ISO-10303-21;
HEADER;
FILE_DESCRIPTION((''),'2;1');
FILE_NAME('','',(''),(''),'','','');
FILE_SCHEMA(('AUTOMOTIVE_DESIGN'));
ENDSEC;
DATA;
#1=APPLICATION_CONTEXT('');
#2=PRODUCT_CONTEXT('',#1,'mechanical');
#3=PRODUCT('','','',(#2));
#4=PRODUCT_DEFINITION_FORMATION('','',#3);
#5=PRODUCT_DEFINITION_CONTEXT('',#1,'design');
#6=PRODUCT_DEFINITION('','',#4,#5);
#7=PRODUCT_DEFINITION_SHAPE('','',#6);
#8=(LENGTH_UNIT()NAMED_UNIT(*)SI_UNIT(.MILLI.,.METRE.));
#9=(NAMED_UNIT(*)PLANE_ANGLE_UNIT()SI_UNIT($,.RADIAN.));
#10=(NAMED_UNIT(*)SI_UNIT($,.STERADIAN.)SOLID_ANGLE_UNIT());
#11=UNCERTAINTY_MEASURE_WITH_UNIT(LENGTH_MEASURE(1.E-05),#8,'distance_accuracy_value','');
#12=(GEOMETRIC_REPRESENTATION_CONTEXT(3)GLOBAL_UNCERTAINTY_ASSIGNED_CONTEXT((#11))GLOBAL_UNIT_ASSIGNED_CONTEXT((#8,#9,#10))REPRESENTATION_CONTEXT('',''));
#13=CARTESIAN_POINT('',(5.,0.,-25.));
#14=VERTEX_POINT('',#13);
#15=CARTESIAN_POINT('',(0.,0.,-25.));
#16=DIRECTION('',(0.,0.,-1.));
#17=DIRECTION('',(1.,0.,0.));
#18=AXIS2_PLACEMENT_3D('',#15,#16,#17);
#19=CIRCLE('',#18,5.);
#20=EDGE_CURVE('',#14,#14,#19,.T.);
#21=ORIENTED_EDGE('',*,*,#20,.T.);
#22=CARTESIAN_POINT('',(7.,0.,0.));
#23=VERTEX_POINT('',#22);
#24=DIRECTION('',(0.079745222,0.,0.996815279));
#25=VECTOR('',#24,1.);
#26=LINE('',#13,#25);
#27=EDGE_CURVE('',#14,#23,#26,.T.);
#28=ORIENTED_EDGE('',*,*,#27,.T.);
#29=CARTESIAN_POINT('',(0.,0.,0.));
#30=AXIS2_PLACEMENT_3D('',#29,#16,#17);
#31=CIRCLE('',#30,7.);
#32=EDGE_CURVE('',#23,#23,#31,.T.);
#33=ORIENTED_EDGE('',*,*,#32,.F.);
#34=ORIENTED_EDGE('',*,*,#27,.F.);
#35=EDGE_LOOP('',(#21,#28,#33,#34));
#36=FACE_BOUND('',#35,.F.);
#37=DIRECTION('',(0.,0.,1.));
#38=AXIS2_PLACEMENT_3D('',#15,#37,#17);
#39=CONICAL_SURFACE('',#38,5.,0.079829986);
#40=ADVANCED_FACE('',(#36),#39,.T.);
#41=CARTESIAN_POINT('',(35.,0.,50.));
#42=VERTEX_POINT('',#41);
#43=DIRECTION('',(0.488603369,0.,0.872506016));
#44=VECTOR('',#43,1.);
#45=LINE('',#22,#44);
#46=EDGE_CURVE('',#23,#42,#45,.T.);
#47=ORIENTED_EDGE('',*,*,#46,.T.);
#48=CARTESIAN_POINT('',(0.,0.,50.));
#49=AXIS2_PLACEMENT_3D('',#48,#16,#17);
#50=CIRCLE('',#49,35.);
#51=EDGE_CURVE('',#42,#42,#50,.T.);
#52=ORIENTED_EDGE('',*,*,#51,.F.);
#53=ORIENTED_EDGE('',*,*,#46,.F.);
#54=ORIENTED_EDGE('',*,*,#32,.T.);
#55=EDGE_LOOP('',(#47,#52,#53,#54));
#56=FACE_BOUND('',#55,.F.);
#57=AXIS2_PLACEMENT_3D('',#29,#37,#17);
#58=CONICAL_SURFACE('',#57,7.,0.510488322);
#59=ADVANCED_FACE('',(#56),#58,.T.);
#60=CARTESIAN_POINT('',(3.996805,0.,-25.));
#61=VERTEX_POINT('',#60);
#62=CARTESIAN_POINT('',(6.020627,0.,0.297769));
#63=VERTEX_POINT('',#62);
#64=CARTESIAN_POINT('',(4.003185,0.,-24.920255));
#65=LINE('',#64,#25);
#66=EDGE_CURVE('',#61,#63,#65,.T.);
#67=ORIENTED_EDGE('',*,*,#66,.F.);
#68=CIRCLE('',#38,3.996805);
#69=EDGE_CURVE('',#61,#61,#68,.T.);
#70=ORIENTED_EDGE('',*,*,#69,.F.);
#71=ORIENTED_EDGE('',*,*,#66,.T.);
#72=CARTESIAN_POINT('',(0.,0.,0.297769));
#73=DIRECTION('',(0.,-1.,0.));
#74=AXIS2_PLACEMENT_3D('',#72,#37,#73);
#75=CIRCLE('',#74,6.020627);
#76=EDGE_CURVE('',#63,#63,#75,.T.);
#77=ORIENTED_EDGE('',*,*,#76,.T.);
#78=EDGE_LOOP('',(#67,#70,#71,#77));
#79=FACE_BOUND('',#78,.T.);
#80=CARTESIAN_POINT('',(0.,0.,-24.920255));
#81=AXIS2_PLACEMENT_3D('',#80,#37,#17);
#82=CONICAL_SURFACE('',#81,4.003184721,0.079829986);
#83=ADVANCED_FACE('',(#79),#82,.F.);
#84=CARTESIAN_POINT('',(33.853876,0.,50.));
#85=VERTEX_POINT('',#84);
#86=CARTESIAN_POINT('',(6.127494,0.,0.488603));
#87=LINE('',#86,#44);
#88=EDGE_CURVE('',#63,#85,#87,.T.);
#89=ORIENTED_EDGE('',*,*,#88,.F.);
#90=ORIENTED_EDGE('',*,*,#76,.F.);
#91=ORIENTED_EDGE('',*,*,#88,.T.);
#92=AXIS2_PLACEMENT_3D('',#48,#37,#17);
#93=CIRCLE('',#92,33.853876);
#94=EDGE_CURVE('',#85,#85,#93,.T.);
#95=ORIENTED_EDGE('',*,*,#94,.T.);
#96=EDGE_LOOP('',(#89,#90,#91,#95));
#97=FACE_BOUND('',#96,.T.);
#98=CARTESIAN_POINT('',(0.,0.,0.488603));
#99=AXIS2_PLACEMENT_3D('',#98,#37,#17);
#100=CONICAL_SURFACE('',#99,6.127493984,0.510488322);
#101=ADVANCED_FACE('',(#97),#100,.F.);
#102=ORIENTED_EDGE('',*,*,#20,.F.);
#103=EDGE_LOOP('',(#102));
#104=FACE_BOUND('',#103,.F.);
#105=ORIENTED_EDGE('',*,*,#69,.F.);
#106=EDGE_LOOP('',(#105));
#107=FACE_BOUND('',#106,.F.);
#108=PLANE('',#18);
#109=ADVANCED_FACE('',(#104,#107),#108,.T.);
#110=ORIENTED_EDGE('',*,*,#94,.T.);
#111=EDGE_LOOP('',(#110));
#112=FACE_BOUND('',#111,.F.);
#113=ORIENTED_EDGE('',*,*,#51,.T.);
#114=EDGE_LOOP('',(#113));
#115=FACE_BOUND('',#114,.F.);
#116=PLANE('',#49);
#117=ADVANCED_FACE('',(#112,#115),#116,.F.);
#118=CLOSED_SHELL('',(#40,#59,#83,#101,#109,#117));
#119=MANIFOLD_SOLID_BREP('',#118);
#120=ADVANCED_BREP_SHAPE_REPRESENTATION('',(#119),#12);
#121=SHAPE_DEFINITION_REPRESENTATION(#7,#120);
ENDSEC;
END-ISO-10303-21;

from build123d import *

# Parameters (mm, degrees)
F2_T = -1


with BuildPart() as f1:
    # F0 (on Front) → F1 (revolve)
    with BuildSketch(Plane.XZ):
        Polygon((0, 50), (0, -25), (5, -25), (7, 0), (35, 50), align=None)
    revolve(axis=Axis((0, 0, 12.5), (0, 0, -1)))

    # F2
    f2_openings = [f1.faces().sort_by_distance(p)[0] for p in [
        (0, 0, 50),
        (0, 0, -25),
    ]]
    offset(amount=F2_T, openings=f2_openings, kind=Kind.INTERSECTION)


solid = f1.part
